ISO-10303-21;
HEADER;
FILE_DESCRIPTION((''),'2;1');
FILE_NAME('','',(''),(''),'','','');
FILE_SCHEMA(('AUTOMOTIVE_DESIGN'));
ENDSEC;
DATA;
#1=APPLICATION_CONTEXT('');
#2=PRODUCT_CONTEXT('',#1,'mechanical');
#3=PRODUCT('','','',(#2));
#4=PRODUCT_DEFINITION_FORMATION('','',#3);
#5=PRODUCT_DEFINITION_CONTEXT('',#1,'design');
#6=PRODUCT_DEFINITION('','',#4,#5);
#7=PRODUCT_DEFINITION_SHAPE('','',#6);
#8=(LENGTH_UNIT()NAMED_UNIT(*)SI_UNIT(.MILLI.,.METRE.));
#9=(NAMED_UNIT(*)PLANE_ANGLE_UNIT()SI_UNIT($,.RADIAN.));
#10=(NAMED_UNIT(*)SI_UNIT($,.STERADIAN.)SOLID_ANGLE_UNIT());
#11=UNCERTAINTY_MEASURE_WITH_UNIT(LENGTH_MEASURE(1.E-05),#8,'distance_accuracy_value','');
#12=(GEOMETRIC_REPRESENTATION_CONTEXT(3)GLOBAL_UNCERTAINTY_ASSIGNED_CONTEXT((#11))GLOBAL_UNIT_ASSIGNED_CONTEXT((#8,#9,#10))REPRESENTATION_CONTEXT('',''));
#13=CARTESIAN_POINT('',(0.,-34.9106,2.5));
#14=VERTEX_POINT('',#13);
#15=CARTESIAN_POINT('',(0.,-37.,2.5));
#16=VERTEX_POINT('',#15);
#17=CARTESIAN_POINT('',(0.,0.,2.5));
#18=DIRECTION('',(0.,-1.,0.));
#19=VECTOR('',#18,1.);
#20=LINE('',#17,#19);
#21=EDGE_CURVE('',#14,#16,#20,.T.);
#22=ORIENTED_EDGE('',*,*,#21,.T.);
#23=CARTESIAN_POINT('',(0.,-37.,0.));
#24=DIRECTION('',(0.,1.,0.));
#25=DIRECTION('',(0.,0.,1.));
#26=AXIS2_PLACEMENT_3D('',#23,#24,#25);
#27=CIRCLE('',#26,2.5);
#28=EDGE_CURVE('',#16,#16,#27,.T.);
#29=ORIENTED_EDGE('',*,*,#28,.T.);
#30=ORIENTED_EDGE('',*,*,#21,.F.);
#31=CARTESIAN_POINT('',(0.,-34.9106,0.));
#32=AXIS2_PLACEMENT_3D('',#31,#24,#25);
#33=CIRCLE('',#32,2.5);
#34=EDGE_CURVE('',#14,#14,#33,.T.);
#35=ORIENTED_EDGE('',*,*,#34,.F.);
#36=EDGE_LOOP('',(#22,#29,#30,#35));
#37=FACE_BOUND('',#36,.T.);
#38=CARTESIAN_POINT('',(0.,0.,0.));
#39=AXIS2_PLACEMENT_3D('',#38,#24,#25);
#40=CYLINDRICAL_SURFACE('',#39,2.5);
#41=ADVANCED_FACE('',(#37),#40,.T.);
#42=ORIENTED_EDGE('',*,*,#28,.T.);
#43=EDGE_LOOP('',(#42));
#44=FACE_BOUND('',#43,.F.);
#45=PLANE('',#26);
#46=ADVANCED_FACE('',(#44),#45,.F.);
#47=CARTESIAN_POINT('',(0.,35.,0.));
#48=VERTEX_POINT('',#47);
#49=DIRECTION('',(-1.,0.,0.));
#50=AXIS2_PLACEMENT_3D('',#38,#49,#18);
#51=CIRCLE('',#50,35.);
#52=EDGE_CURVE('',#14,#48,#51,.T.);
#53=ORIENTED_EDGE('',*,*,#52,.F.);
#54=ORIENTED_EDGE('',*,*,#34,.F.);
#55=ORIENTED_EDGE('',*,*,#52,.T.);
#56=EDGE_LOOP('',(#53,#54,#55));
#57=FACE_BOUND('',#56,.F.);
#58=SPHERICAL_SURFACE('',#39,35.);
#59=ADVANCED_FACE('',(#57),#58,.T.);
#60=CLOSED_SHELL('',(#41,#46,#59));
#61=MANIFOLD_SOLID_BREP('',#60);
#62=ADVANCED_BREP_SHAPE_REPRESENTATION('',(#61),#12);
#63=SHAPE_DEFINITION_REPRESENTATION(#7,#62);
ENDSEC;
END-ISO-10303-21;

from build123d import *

# Parameters (mm, degrees)
SKETCH9_R           = 2.5
BOSS_EXTRUDE2_DEPTH = 37


with BuildPart() as part:
    # Sketch1 → Revolve1 (revolve)
    with BuildSketch(Plane(origin=(0, 0, 0), x_dir=(0, 0, -1), z_dir=(1, 0, 0))):
        with BuildLine():
            Line((0, 35), (0, -35))
            ThreePointArc((0, -35), (-35, 0), (0, 35))
        make_face()
    revolve(axis=Axis((0, 43.799528719, 0), (0, -1, 0)))

    # Sketch9 → Boss-Extrude2 (add)
    with BuildSketch(Plane(origin=(0, 0, 0), x_dir=(1, 0, 0), z_dir=(0, 1, 0))):
        with Locations(Location((0, 0, 0), (0, 0, 270))):
            Circle(SKETCH9_R)
    extrude(amount=-BOSS_EXTRUDE2_DEPTH)


solid = part.part
